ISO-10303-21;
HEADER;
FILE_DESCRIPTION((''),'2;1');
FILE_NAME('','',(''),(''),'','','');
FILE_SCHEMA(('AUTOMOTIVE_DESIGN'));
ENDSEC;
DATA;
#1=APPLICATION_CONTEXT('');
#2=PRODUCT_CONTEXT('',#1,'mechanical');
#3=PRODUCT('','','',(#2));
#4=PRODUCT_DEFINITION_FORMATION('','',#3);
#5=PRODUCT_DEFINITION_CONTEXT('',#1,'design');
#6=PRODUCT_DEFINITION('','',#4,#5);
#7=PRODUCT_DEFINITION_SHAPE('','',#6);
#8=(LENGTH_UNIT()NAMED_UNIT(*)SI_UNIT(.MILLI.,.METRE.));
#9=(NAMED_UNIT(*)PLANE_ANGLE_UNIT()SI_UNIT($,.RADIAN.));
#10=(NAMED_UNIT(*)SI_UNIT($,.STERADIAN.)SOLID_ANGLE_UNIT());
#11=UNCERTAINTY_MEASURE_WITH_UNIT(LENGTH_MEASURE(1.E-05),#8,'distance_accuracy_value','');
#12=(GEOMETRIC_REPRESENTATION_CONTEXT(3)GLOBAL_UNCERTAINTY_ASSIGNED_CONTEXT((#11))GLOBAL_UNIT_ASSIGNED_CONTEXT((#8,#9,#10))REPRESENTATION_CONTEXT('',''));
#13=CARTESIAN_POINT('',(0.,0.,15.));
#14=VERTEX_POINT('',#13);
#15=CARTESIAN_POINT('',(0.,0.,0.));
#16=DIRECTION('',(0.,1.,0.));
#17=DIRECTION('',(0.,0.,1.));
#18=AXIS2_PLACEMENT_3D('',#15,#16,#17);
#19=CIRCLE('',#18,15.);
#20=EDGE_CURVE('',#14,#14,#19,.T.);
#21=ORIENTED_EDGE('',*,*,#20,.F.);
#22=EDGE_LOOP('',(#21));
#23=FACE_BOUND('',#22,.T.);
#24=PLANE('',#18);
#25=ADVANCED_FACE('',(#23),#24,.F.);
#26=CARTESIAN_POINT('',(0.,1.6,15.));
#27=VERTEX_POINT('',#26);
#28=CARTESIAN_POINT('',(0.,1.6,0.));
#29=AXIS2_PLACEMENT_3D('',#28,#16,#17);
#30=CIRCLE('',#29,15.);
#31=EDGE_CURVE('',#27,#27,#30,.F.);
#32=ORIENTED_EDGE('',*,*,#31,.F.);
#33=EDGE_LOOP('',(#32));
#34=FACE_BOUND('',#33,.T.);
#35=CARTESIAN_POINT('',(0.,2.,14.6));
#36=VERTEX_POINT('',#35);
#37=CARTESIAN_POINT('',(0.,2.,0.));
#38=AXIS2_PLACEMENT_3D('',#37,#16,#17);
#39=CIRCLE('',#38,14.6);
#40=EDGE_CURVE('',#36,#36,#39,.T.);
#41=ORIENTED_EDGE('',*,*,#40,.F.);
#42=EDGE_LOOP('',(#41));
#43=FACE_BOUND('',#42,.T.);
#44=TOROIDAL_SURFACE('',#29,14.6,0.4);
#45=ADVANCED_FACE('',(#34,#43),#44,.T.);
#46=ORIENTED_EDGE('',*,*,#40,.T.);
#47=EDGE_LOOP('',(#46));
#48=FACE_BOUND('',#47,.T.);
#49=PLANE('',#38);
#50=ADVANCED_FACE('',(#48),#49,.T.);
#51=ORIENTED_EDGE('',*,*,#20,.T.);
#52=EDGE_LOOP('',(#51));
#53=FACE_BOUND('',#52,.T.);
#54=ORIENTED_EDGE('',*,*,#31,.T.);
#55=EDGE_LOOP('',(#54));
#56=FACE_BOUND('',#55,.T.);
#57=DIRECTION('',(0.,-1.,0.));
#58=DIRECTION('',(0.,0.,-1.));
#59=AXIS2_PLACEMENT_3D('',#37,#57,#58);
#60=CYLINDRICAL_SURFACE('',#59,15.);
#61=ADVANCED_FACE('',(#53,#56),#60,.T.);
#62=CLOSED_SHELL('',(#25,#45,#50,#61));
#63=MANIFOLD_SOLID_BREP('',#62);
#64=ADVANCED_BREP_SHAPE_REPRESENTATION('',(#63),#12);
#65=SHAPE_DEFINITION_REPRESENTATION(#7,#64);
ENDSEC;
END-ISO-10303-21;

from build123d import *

# Parameters (mm, degrees)
SKETCH_1_R      = 15
EXTRUDE_1_DEPTH = 2
FILLET_1_R      = 0.4


with BuildPart() as part:
    # 草图1 → 凸台-拉伸1 (new body)
    with BuildSketch(Plane(origin=(0, 0, 0), x_dir=(1, 0, 0), z_dir=(0, 1, 0))):
        with Locations(Location((0, 0, 0), (0, 0, 270))):
            Circle(SKETCH_1_R)
    extrude(amount=EXTRUDE_1_DEPTH)

    # 圆角1
    fillet_1_edges = [part.edges().sort_by_distance(p)[0] for p in [
        (0, 2, -15),
    ]]
    fillet(fillet_1_edges, radius=FILLET_1_R)


solid = part.part
